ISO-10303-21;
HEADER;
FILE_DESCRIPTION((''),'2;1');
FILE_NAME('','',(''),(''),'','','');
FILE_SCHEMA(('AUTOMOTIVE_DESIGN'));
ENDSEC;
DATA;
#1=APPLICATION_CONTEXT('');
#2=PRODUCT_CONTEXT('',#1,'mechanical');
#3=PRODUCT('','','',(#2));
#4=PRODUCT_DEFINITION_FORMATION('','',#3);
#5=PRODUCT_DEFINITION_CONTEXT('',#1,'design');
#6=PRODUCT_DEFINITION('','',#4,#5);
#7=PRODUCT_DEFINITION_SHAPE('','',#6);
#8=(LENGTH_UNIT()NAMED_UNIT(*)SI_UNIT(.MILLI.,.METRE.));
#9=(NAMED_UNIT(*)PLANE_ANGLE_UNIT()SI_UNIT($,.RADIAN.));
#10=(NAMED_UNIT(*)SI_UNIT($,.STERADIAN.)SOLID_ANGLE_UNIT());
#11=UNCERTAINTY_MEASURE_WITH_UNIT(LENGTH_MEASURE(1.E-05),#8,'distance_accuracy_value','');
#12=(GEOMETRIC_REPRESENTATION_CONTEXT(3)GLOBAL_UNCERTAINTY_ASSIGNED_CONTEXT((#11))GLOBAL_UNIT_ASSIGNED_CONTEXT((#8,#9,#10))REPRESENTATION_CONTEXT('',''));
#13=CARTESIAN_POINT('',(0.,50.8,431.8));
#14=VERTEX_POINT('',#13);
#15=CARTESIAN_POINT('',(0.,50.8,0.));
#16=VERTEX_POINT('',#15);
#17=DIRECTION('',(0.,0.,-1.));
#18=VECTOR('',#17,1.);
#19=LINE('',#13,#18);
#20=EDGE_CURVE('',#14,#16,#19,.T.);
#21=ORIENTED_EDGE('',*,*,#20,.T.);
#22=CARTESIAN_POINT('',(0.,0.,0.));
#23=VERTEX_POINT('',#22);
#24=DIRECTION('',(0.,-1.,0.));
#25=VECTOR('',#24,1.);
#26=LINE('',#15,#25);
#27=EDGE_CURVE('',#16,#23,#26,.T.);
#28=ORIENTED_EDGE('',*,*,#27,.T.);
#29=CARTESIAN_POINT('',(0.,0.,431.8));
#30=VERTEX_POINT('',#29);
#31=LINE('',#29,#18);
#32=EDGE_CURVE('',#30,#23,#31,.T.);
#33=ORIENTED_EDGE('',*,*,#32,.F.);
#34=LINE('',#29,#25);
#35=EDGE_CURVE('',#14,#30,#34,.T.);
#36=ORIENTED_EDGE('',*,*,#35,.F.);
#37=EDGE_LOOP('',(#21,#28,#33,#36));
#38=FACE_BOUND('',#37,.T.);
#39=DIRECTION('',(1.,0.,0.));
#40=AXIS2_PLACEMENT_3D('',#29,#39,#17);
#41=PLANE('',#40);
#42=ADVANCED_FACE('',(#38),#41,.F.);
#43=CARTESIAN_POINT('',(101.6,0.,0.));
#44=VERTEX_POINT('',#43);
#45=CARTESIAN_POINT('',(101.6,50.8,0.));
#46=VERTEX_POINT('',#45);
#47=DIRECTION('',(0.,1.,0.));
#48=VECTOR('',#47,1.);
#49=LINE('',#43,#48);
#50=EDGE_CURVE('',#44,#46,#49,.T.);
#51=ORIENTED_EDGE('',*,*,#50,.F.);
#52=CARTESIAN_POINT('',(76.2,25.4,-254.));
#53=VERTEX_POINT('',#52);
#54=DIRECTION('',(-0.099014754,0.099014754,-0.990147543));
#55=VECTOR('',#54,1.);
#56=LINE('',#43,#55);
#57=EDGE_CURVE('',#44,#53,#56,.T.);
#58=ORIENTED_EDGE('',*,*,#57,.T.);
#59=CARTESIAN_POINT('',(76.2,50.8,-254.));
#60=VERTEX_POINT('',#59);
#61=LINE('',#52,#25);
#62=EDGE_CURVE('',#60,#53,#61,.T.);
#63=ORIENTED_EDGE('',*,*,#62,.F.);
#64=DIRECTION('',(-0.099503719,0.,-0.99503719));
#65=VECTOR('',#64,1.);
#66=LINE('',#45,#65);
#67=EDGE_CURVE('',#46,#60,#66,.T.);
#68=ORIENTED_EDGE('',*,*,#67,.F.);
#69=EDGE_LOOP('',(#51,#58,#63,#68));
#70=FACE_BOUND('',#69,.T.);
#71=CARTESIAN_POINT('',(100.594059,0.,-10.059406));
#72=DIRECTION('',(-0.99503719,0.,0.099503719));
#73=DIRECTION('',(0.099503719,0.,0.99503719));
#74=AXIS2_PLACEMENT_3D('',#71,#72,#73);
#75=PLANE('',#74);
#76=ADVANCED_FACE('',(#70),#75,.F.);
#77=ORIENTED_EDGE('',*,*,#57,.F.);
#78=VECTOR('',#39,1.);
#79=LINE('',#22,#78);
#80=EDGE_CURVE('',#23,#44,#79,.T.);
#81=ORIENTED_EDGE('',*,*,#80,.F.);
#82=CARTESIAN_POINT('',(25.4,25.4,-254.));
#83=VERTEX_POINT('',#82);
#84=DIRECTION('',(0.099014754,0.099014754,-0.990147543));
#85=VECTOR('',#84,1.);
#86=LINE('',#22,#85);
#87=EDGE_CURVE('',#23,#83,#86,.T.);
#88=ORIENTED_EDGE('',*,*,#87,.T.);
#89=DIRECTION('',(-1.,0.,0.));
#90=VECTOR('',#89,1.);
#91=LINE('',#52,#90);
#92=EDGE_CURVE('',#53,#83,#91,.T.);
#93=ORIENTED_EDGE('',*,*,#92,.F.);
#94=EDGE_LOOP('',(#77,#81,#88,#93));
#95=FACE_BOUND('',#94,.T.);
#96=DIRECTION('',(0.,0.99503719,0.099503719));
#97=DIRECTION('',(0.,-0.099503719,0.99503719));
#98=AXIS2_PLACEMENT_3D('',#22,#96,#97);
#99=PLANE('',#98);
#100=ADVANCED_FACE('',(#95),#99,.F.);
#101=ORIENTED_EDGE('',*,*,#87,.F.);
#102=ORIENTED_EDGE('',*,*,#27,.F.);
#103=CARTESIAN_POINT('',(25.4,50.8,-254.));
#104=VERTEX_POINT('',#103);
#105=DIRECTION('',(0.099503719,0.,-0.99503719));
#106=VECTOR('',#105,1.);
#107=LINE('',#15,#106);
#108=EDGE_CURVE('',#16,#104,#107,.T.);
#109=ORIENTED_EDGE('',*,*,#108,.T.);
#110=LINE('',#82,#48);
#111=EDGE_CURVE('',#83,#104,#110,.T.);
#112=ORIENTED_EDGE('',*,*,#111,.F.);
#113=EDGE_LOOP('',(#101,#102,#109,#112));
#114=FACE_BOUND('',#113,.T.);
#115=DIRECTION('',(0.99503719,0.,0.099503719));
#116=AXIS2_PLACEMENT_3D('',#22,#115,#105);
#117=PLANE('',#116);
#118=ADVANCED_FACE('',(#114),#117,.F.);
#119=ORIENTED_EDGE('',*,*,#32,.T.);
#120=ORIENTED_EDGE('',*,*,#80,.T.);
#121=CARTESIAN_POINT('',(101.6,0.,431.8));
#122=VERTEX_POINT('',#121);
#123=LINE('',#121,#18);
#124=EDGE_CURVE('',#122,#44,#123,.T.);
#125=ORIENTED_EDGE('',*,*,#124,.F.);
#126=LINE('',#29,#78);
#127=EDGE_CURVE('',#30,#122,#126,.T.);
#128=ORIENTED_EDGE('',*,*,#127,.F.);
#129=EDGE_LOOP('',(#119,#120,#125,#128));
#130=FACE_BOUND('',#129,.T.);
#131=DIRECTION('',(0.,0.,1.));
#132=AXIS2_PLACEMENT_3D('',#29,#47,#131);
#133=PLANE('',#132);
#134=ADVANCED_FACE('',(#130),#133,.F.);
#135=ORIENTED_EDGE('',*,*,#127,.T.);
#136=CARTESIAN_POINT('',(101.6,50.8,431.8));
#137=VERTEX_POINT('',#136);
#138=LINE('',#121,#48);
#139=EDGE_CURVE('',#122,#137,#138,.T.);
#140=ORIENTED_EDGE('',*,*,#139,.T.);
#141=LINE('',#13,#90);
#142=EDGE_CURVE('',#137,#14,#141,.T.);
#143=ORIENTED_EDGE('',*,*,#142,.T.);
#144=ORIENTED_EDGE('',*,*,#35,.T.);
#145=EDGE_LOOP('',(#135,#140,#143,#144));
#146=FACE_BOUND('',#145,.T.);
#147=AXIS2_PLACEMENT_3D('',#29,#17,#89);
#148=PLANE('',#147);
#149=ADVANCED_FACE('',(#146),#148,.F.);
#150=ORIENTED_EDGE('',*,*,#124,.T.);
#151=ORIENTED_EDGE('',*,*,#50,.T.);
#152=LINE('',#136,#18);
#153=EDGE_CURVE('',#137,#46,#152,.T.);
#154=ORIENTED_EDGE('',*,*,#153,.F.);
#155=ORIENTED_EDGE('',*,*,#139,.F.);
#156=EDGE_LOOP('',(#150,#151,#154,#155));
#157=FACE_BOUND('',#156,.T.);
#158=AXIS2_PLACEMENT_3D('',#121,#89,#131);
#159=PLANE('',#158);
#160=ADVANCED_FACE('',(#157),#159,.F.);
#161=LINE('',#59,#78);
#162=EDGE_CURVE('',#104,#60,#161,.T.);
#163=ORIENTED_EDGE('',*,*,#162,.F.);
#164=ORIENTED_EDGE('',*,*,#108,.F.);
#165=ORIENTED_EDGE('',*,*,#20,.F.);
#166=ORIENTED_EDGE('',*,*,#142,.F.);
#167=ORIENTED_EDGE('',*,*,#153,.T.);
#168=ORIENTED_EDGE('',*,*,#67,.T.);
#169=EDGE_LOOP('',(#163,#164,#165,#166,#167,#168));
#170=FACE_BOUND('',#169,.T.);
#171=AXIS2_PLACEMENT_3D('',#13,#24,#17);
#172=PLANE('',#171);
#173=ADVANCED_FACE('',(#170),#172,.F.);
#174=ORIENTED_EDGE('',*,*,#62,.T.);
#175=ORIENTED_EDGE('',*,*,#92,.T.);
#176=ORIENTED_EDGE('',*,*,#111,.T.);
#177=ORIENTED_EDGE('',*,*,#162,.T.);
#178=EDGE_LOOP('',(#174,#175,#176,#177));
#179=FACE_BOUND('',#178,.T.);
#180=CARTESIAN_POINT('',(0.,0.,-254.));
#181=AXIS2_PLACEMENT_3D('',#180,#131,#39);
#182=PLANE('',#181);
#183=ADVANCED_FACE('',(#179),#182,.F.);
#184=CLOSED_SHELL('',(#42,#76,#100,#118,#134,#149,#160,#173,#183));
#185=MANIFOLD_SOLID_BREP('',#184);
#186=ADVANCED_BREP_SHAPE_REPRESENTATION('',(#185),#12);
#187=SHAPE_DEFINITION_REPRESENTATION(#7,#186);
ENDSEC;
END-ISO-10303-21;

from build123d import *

# Parameters (mm, degrees)
SKETCH1_W           = 101.6
SKETCH1_H           = 50.8
BOSS_EXTRUDE1_DEPTH = 431.8
SKETCH2_W           = 101.6
SKETCH2_H           = 50.8
SKETCH3_W           = 50.8
SKETCH3_H           = 25.4


with BuildPart() as part:
    # Sketch1 → Boss-Extrude1 (new body)
    with BuildSketch(Plane.XY):
        with Locations((50.8, 25.4)):
            Rectangle(SKETCH1_W, SKETCH1_H)
    extrude(amount=BOSS_EXTRUDE1_DEPTH)

    # Sketch2 → Loft1 section 0
    with BuildSketch(Plane.XY):
        with Locations((50.8, 25.4)):
            Rectangle(SKETCH2_W, SKETCH2_H)
    # Sketch3 → Loft1 section 1
    with BuildSketch(Plane(origin=(0, 0, -254), x_dir=(-1, 0, 0), z_dir=(0, 0, -1))):
        with Locations((-50.8, 38.1)):
            Rectangle(SKETCH3_W, SKETCH3_H)
    loft()


solid = part.part
